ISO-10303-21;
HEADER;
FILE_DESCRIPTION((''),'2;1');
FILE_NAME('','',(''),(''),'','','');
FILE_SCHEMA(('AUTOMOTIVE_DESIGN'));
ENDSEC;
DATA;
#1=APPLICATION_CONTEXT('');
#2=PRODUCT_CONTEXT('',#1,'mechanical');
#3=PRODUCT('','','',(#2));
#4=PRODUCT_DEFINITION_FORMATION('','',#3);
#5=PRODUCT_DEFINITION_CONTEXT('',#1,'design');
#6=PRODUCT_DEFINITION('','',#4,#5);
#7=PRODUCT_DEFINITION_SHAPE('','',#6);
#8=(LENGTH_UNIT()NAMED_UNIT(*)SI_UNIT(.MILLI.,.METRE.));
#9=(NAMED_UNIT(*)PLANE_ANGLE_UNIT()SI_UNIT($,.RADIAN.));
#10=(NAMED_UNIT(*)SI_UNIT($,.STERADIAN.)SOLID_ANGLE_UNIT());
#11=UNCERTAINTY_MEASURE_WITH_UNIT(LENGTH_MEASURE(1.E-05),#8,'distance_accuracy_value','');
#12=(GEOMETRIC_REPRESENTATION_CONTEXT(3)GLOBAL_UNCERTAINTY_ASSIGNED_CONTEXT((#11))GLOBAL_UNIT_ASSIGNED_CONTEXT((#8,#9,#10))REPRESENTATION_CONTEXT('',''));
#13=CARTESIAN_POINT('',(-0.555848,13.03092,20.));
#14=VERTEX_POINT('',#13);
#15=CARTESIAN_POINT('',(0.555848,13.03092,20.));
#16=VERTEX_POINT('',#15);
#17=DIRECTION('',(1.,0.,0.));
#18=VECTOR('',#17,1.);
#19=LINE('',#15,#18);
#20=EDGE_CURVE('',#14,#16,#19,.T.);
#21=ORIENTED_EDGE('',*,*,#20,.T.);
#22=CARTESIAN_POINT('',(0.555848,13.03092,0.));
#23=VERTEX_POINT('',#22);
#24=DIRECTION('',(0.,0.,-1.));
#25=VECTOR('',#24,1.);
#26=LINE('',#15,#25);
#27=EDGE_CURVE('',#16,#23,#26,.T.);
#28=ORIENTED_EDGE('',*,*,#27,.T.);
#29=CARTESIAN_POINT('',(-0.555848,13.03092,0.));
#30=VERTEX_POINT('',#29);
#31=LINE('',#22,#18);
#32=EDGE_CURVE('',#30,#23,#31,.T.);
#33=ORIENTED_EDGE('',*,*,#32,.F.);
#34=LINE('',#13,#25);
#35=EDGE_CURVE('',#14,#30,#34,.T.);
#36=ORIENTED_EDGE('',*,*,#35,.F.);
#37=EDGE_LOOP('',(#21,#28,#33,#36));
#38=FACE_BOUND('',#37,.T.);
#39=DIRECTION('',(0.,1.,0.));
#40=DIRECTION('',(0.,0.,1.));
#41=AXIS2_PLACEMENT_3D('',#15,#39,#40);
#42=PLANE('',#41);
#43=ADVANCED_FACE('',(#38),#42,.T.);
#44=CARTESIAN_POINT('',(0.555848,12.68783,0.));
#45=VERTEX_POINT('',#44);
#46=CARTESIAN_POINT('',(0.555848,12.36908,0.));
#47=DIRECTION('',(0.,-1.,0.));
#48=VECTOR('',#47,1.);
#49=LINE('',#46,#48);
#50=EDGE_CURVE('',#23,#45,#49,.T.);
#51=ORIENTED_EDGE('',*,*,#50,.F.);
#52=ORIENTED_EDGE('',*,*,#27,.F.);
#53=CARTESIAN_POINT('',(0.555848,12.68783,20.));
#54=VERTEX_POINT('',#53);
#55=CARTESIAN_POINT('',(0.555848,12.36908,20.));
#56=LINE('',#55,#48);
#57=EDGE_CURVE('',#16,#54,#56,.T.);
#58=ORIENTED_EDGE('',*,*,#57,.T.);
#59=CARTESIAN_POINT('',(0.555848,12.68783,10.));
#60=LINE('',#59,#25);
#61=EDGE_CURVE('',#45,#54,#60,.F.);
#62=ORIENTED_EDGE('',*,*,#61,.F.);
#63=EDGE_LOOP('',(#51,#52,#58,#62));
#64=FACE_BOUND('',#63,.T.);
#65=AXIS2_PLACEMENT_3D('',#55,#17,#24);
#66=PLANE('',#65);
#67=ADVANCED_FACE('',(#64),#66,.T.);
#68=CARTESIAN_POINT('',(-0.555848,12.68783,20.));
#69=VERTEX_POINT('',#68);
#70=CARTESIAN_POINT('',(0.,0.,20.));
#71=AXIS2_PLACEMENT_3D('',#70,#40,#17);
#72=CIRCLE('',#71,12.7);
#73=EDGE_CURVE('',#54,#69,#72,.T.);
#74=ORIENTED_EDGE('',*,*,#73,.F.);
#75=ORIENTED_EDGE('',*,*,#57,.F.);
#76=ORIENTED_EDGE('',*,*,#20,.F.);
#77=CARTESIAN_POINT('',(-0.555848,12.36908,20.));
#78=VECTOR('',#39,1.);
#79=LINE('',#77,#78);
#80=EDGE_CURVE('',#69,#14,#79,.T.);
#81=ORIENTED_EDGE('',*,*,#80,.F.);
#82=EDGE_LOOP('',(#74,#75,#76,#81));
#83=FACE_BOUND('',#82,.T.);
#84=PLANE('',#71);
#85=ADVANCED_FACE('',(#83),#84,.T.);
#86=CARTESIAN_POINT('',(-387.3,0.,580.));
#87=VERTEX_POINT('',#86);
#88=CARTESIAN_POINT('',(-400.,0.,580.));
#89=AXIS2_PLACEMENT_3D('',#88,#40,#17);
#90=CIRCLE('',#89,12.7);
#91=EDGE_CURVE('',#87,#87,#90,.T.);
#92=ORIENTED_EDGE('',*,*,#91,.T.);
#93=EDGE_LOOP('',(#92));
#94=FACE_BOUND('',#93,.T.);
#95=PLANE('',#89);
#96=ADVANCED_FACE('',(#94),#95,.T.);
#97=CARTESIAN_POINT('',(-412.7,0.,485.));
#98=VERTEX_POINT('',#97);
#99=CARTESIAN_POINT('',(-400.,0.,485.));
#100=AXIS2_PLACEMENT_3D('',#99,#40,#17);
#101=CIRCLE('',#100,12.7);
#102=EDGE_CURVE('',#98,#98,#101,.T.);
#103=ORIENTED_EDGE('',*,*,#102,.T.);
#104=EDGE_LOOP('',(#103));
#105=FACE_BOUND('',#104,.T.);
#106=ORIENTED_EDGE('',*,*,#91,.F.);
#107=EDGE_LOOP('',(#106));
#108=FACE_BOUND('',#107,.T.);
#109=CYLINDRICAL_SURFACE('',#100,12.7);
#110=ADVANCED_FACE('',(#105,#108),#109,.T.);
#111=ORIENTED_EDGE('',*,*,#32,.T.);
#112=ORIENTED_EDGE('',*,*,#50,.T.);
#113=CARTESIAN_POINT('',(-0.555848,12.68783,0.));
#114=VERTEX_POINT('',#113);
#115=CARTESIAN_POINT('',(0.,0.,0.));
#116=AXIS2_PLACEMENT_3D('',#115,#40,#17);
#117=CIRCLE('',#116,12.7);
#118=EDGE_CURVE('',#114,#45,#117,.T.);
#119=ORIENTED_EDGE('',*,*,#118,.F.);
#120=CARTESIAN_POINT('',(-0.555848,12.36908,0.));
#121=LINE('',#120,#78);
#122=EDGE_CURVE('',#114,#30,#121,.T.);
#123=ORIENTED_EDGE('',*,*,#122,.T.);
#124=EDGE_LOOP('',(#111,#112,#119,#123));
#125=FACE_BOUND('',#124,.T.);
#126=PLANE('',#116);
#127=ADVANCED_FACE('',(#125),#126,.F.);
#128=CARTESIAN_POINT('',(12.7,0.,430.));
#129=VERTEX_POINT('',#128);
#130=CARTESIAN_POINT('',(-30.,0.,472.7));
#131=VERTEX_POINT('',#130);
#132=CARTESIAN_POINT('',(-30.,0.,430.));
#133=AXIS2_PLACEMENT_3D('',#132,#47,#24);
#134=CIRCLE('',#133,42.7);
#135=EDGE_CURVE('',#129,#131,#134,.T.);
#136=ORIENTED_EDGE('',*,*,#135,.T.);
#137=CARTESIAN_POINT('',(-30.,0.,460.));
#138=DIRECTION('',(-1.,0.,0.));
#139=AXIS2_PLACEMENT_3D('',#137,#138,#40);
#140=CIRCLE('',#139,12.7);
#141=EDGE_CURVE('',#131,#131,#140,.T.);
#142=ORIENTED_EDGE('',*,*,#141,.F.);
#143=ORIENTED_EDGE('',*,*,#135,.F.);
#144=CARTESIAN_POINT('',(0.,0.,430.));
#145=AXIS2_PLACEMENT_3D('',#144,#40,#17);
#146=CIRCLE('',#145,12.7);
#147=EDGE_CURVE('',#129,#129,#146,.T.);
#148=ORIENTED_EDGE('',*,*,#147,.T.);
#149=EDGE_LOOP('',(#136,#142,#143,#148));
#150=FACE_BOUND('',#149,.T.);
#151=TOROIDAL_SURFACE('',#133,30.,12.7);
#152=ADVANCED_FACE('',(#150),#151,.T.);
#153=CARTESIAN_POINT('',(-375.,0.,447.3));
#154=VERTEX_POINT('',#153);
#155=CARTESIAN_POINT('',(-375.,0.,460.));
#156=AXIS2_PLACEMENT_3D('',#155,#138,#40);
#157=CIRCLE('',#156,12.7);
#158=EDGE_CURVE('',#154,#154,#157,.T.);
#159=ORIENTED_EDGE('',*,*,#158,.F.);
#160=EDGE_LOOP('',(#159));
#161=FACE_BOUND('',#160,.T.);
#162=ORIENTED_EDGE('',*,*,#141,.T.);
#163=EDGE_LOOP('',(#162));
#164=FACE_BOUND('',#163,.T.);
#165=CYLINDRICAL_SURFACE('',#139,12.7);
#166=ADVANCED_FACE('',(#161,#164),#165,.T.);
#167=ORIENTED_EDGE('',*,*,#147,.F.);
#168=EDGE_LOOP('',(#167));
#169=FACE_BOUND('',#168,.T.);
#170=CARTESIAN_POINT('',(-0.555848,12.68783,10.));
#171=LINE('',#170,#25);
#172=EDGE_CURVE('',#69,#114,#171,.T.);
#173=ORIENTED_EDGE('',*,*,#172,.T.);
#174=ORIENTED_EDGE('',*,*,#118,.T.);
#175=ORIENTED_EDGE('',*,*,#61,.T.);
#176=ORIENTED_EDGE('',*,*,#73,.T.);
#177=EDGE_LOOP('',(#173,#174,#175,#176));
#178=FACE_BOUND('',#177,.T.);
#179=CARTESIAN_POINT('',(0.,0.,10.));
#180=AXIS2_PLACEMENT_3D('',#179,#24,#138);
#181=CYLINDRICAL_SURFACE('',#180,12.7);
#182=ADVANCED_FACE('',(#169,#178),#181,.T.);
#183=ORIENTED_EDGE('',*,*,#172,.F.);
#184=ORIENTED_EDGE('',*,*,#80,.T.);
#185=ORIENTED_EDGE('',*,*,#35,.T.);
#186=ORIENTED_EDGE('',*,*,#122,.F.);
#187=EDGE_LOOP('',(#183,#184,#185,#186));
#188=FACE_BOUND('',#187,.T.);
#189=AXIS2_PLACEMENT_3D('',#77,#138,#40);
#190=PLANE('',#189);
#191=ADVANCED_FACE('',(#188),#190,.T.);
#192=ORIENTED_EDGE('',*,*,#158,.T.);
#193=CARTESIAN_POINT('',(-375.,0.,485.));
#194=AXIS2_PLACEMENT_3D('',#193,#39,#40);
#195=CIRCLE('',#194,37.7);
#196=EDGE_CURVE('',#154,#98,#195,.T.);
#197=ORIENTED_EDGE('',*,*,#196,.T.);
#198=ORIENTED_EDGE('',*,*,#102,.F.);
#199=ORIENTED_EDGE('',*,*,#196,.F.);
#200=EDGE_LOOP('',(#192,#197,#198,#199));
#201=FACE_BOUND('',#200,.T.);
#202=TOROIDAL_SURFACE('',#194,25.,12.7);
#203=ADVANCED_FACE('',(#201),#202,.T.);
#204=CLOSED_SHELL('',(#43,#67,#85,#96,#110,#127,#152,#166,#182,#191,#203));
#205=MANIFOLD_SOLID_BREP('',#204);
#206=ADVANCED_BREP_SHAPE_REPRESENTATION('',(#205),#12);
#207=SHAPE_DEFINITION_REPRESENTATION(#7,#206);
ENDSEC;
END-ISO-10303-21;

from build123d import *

# Parameters (mm, degrees)
CROQUIS1_R              = 12.7
SALIENTE_EXTRUIR1_DEPTH = 10
CROQUIS2_R              = 12.7
CROQUIS3_W              = 1.11169581
CROQUIS3_H              = 0.66183921
SALIENTE_EXTRUIR2_DEPTH = 20


with BuildPart() as part:
    # Croquis1 → Saliente-Extruir1 (new body)
    with BuildSketch(Plane.XY):
        Circle(CROQUIS1_R)
    extrude(amount=SALIENTE_EXTRUIR1_DEPTH)

    # Barrer1: sweep along a curve in space
    with BuildLine() as barrer1_path:
        Line((0, 0, 10), (0, 0, 430))
        ThreePointArc((0, 0, 430), (-8.786796564, 0, 451.213203436), (-30, 0, 460))
        Line((-30, 0, 460), (-375, 0, 460))
        ThreePointArc((-375, 0, 460), (-392.67766953, 0, 467.32233047), (-400, 0, 485))
        Line((-400, 0, 485), (-400, 0, 580))
    # Croquis2 → Barrer1 (sweep)
    with BuildSketch(Plane.XY.offset(10)):
        Circle(CROQUIS2_R)
    sweep(path=barrer1_path.line)

    # Croquis3 → Saliente-Extruir2 (add)
    with BuildSketch(Plane(origin=(0, 0, 0), x_dir=(-1, 0, 0), z_dir=(0, 0, -1))):
        with Locations((0, 12.7)):
            Rectangle(CROQUIS3_W, CROQUIS3_H)
    extrude(amount=-SALIENTE_EXTRUIR2_DEPTH)


solid = part.part
